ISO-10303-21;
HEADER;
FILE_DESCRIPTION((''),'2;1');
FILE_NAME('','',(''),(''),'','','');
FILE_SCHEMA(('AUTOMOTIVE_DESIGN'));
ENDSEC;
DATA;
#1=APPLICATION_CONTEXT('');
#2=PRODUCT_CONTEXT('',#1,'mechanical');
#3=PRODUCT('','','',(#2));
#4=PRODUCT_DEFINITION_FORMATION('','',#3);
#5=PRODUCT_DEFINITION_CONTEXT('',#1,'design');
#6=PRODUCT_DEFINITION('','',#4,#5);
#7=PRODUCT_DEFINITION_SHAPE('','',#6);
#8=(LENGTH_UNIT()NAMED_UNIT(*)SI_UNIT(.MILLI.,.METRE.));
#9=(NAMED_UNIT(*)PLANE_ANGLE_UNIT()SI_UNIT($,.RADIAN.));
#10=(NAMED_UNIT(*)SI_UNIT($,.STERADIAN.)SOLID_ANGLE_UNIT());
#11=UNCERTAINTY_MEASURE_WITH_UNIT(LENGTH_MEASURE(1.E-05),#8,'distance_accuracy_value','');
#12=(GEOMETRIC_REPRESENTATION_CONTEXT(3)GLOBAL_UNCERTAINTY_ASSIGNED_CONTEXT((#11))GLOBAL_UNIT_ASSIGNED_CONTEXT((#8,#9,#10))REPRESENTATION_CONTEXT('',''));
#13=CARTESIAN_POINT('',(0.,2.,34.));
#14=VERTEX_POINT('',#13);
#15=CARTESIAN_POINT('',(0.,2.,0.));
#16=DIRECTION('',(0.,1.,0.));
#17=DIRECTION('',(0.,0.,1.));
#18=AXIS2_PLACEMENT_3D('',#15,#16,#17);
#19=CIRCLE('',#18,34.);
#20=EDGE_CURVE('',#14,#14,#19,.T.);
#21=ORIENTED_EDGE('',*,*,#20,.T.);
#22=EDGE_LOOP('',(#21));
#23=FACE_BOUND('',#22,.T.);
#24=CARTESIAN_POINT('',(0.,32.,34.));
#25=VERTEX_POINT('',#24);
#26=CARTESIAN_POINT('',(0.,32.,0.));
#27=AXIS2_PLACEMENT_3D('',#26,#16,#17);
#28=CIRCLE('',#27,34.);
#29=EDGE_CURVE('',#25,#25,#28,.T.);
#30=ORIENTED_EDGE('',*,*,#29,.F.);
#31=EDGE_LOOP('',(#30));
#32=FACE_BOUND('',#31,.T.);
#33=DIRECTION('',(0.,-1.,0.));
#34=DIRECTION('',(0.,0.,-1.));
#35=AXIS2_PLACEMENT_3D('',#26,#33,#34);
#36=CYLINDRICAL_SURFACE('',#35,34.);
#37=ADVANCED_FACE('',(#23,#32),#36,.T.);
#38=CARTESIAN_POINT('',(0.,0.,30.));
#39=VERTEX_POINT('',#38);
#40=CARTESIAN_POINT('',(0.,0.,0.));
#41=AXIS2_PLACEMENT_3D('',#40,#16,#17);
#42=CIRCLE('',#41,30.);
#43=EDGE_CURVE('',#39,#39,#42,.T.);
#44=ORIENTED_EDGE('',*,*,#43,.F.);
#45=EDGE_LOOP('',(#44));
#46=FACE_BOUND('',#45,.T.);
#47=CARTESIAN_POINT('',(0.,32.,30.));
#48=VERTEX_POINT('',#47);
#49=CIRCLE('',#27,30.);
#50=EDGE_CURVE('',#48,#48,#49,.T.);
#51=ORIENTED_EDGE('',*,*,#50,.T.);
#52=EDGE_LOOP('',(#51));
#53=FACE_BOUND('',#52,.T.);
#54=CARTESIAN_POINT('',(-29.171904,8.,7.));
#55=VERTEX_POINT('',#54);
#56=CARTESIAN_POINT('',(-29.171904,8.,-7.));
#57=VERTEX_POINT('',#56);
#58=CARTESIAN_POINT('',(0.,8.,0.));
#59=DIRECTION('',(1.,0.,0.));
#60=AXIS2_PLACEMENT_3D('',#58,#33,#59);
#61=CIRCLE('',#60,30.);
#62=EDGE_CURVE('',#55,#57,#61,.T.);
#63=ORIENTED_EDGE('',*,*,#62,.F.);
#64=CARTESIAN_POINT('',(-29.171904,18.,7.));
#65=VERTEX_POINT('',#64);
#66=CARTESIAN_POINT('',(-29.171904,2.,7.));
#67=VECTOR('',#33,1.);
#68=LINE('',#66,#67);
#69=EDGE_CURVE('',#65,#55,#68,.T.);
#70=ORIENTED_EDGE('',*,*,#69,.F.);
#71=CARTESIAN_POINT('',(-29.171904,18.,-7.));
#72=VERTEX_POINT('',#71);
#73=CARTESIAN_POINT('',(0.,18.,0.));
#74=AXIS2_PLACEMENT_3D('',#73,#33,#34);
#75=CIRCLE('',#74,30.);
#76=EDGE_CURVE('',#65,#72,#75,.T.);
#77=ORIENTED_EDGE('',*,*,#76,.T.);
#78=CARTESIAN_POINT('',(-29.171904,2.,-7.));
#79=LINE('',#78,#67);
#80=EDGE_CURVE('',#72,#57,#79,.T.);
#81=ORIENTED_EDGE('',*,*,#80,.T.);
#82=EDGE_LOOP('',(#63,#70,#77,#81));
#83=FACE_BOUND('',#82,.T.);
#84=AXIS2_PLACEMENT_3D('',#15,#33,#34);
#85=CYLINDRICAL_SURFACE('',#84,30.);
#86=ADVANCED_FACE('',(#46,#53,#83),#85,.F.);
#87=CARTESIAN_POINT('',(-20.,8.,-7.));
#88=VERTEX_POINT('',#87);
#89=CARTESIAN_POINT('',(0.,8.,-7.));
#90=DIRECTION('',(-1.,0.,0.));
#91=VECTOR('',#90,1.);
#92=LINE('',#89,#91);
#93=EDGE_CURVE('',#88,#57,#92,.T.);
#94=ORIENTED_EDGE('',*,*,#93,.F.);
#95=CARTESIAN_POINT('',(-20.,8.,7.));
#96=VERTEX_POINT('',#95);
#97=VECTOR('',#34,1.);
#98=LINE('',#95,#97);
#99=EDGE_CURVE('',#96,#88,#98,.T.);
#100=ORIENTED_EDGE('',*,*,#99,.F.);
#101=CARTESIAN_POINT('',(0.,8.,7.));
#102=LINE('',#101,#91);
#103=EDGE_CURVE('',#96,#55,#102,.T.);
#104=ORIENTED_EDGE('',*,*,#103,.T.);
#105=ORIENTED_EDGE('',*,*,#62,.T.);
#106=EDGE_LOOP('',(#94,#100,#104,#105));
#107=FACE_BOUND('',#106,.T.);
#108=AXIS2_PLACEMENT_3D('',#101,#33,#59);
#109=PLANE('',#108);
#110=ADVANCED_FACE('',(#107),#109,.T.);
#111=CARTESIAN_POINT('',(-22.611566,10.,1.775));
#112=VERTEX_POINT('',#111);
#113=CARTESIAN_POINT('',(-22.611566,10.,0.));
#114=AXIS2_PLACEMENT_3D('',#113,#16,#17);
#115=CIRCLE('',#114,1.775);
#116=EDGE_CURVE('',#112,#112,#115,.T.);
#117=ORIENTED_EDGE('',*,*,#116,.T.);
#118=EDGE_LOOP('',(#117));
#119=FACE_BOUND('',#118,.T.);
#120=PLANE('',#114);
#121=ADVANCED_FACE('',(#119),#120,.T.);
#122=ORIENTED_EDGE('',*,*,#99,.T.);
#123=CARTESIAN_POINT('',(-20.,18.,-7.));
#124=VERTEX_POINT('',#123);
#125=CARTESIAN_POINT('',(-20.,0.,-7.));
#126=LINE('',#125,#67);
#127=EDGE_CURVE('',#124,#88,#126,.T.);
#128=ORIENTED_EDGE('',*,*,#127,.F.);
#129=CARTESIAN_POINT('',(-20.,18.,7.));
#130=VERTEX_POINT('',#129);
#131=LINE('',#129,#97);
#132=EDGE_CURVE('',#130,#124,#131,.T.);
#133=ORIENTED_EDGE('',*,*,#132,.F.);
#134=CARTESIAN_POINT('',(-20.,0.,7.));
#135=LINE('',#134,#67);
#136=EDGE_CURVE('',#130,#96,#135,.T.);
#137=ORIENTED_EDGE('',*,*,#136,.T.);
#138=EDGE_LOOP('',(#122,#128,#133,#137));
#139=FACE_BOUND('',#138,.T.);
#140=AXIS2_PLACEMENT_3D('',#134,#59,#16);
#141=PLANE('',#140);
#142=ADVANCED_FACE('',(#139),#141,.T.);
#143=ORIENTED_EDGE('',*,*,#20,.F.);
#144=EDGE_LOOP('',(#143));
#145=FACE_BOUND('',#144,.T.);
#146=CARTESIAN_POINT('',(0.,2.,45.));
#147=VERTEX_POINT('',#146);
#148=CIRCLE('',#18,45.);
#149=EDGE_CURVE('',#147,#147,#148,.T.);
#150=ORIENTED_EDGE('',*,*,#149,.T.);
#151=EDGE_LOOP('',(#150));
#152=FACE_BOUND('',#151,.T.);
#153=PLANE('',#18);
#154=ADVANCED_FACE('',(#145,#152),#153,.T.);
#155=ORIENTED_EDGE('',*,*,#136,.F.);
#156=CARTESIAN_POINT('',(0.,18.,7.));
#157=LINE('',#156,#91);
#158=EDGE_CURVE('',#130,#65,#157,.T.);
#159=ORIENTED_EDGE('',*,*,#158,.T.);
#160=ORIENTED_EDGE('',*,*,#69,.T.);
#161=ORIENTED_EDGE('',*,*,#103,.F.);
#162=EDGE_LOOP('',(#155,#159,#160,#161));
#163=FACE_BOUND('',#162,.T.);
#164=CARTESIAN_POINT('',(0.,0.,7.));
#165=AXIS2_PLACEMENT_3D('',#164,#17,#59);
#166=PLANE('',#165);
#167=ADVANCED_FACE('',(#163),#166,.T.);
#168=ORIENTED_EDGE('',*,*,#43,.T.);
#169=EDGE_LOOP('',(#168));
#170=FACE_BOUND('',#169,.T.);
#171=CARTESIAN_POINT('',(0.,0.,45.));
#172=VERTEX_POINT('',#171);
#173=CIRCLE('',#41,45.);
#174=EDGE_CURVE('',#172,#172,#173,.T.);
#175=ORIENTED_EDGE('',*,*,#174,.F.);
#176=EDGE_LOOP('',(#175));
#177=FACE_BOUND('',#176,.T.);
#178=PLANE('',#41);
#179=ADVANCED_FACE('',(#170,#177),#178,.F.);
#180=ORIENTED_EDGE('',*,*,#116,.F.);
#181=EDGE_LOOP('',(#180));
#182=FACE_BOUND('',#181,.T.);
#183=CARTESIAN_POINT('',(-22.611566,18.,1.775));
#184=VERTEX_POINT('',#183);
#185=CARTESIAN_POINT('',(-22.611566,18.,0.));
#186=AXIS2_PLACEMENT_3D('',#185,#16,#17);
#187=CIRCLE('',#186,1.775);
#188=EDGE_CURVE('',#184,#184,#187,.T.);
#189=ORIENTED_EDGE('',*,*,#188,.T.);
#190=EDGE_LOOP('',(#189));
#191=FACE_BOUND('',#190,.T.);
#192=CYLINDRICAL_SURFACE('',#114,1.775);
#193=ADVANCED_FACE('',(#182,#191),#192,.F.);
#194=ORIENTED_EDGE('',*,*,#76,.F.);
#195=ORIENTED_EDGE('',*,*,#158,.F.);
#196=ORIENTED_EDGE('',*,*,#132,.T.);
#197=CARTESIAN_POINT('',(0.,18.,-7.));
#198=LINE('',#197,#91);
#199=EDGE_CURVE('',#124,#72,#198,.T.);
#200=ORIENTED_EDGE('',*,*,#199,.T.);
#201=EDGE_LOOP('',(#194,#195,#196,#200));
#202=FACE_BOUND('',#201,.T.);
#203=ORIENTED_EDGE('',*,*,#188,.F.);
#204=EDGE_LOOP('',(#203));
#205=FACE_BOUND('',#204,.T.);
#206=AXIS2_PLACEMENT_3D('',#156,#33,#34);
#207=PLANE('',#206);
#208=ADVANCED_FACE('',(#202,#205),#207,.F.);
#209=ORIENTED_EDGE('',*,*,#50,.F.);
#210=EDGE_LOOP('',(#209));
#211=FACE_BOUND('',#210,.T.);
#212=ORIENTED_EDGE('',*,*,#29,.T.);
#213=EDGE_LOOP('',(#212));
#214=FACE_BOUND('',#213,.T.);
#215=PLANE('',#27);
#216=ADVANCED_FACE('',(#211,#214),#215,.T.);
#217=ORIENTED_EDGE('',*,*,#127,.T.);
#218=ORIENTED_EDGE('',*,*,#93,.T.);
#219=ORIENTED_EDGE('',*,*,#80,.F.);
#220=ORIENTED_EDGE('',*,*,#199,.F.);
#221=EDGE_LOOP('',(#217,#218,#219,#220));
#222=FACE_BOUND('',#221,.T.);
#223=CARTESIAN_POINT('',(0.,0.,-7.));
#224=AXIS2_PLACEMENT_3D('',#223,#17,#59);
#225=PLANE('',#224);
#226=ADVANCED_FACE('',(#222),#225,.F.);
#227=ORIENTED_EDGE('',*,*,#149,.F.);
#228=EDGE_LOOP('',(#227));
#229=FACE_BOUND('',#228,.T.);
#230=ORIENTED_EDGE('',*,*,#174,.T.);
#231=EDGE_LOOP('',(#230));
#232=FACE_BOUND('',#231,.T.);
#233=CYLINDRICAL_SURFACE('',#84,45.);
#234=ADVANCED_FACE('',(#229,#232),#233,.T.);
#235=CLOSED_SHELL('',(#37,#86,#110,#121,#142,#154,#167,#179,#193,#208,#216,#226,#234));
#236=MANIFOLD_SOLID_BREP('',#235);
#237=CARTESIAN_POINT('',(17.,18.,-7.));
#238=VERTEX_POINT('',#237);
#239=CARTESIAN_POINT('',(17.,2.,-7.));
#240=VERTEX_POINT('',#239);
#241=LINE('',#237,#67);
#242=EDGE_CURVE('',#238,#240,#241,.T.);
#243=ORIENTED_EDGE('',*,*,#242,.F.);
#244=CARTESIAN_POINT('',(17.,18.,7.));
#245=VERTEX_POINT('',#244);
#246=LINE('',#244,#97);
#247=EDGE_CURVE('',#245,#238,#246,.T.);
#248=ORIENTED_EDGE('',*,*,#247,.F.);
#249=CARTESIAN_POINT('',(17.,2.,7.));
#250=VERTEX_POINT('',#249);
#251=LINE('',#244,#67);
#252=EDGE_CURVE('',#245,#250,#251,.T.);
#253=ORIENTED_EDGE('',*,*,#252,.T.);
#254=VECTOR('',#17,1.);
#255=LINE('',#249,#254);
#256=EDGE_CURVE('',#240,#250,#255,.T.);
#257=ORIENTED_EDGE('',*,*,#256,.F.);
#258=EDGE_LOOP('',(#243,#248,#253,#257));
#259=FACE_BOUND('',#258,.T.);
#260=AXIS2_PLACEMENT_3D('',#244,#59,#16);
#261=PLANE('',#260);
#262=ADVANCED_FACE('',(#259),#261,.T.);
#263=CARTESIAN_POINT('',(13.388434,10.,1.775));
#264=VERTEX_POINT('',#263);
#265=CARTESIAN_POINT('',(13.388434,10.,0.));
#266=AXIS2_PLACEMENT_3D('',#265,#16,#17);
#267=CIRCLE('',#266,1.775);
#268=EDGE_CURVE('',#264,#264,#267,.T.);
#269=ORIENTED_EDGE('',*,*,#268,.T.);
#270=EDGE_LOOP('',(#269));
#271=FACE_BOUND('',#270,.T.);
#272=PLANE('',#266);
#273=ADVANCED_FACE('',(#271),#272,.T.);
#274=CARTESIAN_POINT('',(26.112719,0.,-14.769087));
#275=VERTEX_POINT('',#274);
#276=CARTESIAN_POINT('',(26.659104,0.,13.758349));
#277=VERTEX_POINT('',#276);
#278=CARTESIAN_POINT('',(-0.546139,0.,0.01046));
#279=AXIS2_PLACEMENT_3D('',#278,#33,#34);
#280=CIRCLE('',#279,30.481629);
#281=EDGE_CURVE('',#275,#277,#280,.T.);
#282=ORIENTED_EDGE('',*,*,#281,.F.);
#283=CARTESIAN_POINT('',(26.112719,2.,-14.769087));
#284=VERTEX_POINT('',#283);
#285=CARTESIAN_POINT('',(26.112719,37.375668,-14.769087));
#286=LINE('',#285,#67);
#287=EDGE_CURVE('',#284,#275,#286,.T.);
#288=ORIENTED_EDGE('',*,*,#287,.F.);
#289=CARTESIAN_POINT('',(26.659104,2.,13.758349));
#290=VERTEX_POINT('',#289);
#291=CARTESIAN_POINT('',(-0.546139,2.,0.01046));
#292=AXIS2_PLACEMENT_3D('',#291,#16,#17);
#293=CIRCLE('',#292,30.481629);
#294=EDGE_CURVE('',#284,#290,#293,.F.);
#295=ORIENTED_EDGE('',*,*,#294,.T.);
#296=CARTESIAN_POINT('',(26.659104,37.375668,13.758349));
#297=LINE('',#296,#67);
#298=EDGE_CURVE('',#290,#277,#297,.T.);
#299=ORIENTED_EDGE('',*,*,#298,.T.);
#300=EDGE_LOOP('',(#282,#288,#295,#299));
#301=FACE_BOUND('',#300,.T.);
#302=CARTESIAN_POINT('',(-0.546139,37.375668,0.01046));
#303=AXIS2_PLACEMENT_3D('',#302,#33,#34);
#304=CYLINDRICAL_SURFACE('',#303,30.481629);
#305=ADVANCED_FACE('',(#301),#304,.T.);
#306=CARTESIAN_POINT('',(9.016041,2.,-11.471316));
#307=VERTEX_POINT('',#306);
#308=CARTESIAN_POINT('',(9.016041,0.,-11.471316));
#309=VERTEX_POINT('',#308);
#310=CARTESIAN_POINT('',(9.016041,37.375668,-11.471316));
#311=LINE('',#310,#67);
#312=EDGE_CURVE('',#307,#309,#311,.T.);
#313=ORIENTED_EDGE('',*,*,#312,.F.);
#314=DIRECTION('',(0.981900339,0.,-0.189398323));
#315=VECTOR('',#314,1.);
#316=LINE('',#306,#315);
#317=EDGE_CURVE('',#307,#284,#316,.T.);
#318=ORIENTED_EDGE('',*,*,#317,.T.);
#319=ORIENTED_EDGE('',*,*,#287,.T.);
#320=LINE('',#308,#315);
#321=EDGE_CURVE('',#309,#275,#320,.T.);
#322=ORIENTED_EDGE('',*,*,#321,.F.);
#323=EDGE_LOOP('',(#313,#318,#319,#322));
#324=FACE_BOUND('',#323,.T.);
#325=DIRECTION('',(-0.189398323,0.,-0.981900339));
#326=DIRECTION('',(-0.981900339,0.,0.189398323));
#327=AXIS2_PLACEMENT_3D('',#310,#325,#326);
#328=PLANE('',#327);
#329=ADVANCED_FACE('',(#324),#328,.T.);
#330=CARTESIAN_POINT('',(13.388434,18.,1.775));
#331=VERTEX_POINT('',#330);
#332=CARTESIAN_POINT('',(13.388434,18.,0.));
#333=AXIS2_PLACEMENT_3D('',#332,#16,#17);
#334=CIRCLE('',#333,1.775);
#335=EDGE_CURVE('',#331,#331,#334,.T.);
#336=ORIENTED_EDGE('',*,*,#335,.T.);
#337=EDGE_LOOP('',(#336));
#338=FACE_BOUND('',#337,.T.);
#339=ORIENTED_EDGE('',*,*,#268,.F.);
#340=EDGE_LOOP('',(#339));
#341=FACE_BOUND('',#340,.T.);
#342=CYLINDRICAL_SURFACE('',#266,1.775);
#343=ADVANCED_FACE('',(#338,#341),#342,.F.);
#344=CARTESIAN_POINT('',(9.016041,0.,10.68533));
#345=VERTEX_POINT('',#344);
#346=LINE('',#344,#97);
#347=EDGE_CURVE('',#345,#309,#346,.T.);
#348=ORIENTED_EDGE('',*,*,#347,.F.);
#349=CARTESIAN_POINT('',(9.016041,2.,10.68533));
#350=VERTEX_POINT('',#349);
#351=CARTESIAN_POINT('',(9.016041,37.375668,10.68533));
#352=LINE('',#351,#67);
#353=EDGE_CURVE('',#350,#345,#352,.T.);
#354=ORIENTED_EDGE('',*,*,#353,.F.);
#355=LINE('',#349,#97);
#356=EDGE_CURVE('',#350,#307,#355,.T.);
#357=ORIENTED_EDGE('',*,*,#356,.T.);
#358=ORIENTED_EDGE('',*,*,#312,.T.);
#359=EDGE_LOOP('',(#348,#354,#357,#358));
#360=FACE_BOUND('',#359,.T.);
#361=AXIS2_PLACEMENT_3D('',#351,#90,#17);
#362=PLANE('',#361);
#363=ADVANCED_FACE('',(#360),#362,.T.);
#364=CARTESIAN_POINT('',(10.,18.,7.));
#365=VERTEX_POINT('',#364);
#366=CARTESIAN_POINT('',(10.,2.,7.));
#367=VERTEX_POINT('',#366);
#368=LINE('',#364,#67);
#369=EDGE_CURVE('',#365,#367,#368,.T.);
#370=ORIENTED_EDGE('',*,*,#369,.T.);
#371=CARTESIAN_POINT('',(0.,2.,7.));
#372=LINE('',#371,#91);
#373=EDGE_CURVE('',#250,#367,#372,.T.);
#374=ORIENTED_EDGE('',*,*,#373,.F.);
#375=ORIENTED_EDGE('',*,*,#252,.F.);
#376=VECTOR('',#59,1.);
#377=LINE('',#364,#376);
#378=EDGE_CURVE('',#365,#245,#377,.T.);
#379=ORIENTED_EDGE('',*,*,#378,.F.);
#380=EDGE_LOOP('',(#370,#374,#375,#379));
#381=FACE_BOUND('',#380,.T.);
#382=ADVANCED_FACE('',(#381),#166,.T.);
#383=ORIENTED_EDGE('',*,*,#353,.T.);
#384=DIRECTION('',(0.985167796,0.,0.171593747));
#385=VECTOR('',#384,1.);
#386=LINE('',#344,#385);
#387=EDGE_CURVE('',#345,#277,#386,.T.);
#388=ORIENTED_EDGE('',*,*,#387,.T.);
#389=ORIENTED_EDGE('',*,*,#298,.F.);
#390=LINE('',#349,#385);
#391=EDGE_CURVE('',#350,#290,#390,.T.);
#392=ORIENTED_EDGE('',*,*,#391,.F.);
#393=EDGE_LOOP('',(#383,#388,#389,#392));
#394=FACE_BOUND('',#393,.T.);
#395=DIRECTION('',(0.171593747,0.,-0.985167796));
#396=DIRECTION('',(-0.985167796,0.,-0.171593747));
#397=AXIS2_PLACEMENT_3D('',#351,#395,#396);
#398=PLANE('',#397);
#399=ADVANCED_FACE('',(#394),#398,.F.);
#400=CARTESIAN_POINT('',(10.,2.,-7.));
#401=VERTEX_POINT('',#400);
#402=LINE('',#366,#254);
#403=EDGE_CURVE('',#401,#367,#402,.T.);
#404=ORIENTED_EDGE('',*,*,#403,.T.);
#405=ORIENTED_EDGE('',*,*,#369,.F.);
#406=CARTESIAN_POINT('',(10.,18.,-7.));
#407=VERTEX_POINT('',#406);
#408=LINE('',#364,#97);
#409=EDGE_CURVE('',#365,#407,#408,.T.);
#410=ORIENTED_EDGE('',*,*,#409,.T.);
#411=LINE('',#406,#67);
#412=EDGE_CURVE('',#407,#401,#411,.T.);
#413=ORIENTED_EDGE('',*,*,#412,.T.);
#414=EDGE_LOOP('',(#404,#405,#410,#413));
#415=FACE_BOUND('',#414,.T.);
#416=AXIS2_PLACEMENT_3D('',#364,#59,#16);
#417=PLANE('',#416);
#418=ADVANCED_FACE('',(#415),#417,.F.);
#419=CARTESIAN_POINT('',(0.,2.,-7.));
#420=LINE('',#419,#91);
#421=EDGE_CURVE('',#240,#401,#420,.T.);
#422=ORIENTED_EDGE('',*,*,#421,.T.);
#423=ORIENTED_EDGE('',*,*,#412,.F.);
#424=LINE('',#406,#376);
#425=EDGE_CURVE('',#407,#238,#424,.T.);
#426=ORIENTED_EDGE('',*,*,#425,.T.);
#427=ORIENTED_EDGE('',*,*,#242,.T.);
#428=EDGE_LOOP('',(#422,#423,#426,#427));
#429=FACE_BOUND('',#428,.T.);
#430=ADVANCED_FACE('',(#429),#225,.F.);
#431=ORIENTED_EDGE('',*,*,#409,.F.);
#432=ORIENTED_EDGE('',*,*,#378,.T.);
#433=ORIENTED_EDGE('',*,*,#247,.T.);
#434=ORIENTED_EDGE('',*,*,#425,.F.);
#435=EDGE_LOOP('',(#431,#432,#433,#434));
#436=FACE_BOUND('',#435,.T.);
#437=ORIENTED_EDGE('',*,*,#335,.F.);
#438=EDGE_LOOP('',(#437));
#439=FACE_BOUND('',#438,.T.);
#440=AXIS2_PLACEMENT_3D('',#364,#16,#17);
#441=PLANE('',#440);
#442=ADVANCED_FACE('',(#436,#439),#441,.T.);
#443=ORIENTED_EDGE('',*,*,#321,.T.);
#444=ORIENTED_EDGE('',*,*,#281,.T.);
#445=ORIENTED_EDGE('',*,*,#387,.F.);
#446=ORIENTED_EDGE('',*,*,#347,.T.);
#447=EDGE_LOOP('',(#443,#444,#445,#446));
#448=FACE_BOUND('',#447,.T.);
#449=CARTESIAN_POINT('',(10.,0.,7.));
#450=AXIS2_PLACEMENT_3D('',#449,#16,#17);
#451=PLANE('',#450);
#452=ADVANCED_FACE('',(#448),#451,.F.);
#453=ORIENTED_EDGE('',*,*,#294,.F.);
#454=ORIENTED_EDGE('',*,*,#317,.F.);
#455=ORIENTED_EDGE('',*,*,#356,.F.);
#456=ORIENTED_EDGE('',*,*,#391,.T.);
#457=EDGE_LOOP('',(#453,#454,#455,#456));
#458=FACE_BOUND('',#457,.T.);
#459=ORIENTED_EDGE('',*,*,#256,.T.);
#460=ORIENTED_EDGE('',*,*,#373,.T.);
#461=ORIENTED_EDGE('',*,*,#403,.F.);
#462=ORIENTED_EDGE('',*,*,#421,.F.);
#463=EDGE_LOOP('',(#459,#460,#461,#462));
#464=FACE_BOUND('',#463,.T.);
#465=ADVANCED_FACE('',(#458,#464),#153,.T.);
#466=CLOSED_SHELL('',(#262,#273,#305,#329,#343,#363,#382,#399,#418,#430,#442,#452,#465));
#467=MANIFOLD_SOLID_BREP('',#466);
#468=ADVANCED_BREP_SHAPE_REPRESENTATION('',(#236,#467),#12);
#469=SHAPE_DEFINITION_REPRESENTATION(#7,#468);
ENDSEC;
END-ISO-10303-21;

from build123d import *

# Parameters (mm, degrees)
SKETCH1_R           = 45
SKETCH1_R_2         = 30
BOSS_EXTRUDE1_DEPTH = 2
SKETCH2_R           = 34
SKETCH2_R_2         = 30
BOSS_EXTRUDE2_DEPTH = 30
SKETCH4_W           = 7
SKETCH4_H           = 18
SKETCH4_W_2         = 10
SKETCH4_H_2         = 10
BOSS_EXTRUDE4_DEPTH = 7
BOSS_EXTRUDE5_DEPTH = 2
SKETCH7_R           = 1.775
CUT_EXTRUDE1_DEPTH  = 8


with BuildPart() as part:
    # Sketch1 → Boss-Extrude1 (new body)
    with BuildSketch(Plane(origin=(0, 0, 0), x_dir=(1, 0, 0), z_dir=(0, 1, 0))):
        with Locations(Location((0, 0, 0), (0, 0, 270))):
            Circle(SKETCH1_R)
        with Locations(Location((0, 0, 0), (0, 0, 270))):
            Circle(SKETCH1_R_2, mode=Mode.SUBTRACT)
    extrude(amount=BOSS_EXTRUDE1_DEPTH)

    # Sketch2 → Boss-Extrude2 (add)
    with BuildSketch(Plane(origin=(0, 2, 0), x_dir=(1, 0, 0), z_dir=(0, 1, 0))):
        with Locations(Location((0, 0, 0), (0, 0, 270))):
            Circle(SKETCH2_R)
        with Locations(Location((0, 0, 0), (0, 0, 270))):
            Circle(SKETCH2_R_2, mode=Mode.SUBTRACT)
    extrude(amount=BOSS_EXTRUDE2_DEPTH)

    # Sketch4 → Boss-Extrude4 (add, symmetric)
    with BuildSketch(Plane.XY):
        with Locations((13.5, 9)):
            Rectangle(SKETCH4_W, SKETCH4_H)
        with Locations((-25, 13)):
            Rectangle(SKETCH4_W_2, SKETCH4_H_2)
    extrude(amount=BOSS_EXTRUDE4_DEPTH, both=True)


with BuildPart() as boss_extrude4_piece_1:
    # of the separate pieces the step leaves, piece 1, a body of its own (boss_extrude4_pieces)
    add(part.part.solids().sort_by_distance((0, 0, 45))[0])



with BuildPart() as boss_extrude4_piece_2:
    # of the separate pieces the step leaves, piece 2, a body of its own (boss_extrude4_pieces)
    add(part.part.solids().sort_by_distance((17, 18, -7))[0])


with BuildPart() as boss_extrude4_piece_1_1:
    add(boss_extrude4_piece_1.part)

    add(boss_extrude4_piece_2.part)  # Boss-Extrude5 merges Boss-Extrude4 piece 2
    # Sketch5 → Boss-Extrude5 (add)
    with BuildSketch(Plane(origin=(0, 0, 0.832419338), x_dir=(1, 0, 0), z_dir=(0, -1, 0))):
        with BuildLine():
            Line((9.016041177, 9.852910493), (26.659104244, 12.925929433))
            ThreePointArc((26.659104244, 12.925929433), (29.929900496, -1.405666291), (26.112718683, -15.601506072))
            Line((26.112718683, -15.601506072), (9.016041177, -12.303735496))
            Line((9.016041177, -12.303735496), (9.016041177, 9.852910493))
        make_face()
    extrude(amount=-BOSS_EXTRUDE5_DEPTH)

    # Sketch7 → Cut-Extrude1 (cut)
    with BuildSketch(Plane(origin=(0, 18, 0), x_dir=(1, 0, 0), z_dir=(0, 1, 0))):
        with Locations(Location((-22.611566211, 0, 0), (0, 0, 270))):
            Circle(SKETCH7_R)
        with Locations(Location((13.388433789, 0, 0), (0, 0, 270))):
            Circle(SKETCH7_R)
    extrude(amount=-CUT_EXTRUDE1_DEPTH, mode=Mode.SUBTRACT)


solid = boss_extrude4_piece_1_1.part
